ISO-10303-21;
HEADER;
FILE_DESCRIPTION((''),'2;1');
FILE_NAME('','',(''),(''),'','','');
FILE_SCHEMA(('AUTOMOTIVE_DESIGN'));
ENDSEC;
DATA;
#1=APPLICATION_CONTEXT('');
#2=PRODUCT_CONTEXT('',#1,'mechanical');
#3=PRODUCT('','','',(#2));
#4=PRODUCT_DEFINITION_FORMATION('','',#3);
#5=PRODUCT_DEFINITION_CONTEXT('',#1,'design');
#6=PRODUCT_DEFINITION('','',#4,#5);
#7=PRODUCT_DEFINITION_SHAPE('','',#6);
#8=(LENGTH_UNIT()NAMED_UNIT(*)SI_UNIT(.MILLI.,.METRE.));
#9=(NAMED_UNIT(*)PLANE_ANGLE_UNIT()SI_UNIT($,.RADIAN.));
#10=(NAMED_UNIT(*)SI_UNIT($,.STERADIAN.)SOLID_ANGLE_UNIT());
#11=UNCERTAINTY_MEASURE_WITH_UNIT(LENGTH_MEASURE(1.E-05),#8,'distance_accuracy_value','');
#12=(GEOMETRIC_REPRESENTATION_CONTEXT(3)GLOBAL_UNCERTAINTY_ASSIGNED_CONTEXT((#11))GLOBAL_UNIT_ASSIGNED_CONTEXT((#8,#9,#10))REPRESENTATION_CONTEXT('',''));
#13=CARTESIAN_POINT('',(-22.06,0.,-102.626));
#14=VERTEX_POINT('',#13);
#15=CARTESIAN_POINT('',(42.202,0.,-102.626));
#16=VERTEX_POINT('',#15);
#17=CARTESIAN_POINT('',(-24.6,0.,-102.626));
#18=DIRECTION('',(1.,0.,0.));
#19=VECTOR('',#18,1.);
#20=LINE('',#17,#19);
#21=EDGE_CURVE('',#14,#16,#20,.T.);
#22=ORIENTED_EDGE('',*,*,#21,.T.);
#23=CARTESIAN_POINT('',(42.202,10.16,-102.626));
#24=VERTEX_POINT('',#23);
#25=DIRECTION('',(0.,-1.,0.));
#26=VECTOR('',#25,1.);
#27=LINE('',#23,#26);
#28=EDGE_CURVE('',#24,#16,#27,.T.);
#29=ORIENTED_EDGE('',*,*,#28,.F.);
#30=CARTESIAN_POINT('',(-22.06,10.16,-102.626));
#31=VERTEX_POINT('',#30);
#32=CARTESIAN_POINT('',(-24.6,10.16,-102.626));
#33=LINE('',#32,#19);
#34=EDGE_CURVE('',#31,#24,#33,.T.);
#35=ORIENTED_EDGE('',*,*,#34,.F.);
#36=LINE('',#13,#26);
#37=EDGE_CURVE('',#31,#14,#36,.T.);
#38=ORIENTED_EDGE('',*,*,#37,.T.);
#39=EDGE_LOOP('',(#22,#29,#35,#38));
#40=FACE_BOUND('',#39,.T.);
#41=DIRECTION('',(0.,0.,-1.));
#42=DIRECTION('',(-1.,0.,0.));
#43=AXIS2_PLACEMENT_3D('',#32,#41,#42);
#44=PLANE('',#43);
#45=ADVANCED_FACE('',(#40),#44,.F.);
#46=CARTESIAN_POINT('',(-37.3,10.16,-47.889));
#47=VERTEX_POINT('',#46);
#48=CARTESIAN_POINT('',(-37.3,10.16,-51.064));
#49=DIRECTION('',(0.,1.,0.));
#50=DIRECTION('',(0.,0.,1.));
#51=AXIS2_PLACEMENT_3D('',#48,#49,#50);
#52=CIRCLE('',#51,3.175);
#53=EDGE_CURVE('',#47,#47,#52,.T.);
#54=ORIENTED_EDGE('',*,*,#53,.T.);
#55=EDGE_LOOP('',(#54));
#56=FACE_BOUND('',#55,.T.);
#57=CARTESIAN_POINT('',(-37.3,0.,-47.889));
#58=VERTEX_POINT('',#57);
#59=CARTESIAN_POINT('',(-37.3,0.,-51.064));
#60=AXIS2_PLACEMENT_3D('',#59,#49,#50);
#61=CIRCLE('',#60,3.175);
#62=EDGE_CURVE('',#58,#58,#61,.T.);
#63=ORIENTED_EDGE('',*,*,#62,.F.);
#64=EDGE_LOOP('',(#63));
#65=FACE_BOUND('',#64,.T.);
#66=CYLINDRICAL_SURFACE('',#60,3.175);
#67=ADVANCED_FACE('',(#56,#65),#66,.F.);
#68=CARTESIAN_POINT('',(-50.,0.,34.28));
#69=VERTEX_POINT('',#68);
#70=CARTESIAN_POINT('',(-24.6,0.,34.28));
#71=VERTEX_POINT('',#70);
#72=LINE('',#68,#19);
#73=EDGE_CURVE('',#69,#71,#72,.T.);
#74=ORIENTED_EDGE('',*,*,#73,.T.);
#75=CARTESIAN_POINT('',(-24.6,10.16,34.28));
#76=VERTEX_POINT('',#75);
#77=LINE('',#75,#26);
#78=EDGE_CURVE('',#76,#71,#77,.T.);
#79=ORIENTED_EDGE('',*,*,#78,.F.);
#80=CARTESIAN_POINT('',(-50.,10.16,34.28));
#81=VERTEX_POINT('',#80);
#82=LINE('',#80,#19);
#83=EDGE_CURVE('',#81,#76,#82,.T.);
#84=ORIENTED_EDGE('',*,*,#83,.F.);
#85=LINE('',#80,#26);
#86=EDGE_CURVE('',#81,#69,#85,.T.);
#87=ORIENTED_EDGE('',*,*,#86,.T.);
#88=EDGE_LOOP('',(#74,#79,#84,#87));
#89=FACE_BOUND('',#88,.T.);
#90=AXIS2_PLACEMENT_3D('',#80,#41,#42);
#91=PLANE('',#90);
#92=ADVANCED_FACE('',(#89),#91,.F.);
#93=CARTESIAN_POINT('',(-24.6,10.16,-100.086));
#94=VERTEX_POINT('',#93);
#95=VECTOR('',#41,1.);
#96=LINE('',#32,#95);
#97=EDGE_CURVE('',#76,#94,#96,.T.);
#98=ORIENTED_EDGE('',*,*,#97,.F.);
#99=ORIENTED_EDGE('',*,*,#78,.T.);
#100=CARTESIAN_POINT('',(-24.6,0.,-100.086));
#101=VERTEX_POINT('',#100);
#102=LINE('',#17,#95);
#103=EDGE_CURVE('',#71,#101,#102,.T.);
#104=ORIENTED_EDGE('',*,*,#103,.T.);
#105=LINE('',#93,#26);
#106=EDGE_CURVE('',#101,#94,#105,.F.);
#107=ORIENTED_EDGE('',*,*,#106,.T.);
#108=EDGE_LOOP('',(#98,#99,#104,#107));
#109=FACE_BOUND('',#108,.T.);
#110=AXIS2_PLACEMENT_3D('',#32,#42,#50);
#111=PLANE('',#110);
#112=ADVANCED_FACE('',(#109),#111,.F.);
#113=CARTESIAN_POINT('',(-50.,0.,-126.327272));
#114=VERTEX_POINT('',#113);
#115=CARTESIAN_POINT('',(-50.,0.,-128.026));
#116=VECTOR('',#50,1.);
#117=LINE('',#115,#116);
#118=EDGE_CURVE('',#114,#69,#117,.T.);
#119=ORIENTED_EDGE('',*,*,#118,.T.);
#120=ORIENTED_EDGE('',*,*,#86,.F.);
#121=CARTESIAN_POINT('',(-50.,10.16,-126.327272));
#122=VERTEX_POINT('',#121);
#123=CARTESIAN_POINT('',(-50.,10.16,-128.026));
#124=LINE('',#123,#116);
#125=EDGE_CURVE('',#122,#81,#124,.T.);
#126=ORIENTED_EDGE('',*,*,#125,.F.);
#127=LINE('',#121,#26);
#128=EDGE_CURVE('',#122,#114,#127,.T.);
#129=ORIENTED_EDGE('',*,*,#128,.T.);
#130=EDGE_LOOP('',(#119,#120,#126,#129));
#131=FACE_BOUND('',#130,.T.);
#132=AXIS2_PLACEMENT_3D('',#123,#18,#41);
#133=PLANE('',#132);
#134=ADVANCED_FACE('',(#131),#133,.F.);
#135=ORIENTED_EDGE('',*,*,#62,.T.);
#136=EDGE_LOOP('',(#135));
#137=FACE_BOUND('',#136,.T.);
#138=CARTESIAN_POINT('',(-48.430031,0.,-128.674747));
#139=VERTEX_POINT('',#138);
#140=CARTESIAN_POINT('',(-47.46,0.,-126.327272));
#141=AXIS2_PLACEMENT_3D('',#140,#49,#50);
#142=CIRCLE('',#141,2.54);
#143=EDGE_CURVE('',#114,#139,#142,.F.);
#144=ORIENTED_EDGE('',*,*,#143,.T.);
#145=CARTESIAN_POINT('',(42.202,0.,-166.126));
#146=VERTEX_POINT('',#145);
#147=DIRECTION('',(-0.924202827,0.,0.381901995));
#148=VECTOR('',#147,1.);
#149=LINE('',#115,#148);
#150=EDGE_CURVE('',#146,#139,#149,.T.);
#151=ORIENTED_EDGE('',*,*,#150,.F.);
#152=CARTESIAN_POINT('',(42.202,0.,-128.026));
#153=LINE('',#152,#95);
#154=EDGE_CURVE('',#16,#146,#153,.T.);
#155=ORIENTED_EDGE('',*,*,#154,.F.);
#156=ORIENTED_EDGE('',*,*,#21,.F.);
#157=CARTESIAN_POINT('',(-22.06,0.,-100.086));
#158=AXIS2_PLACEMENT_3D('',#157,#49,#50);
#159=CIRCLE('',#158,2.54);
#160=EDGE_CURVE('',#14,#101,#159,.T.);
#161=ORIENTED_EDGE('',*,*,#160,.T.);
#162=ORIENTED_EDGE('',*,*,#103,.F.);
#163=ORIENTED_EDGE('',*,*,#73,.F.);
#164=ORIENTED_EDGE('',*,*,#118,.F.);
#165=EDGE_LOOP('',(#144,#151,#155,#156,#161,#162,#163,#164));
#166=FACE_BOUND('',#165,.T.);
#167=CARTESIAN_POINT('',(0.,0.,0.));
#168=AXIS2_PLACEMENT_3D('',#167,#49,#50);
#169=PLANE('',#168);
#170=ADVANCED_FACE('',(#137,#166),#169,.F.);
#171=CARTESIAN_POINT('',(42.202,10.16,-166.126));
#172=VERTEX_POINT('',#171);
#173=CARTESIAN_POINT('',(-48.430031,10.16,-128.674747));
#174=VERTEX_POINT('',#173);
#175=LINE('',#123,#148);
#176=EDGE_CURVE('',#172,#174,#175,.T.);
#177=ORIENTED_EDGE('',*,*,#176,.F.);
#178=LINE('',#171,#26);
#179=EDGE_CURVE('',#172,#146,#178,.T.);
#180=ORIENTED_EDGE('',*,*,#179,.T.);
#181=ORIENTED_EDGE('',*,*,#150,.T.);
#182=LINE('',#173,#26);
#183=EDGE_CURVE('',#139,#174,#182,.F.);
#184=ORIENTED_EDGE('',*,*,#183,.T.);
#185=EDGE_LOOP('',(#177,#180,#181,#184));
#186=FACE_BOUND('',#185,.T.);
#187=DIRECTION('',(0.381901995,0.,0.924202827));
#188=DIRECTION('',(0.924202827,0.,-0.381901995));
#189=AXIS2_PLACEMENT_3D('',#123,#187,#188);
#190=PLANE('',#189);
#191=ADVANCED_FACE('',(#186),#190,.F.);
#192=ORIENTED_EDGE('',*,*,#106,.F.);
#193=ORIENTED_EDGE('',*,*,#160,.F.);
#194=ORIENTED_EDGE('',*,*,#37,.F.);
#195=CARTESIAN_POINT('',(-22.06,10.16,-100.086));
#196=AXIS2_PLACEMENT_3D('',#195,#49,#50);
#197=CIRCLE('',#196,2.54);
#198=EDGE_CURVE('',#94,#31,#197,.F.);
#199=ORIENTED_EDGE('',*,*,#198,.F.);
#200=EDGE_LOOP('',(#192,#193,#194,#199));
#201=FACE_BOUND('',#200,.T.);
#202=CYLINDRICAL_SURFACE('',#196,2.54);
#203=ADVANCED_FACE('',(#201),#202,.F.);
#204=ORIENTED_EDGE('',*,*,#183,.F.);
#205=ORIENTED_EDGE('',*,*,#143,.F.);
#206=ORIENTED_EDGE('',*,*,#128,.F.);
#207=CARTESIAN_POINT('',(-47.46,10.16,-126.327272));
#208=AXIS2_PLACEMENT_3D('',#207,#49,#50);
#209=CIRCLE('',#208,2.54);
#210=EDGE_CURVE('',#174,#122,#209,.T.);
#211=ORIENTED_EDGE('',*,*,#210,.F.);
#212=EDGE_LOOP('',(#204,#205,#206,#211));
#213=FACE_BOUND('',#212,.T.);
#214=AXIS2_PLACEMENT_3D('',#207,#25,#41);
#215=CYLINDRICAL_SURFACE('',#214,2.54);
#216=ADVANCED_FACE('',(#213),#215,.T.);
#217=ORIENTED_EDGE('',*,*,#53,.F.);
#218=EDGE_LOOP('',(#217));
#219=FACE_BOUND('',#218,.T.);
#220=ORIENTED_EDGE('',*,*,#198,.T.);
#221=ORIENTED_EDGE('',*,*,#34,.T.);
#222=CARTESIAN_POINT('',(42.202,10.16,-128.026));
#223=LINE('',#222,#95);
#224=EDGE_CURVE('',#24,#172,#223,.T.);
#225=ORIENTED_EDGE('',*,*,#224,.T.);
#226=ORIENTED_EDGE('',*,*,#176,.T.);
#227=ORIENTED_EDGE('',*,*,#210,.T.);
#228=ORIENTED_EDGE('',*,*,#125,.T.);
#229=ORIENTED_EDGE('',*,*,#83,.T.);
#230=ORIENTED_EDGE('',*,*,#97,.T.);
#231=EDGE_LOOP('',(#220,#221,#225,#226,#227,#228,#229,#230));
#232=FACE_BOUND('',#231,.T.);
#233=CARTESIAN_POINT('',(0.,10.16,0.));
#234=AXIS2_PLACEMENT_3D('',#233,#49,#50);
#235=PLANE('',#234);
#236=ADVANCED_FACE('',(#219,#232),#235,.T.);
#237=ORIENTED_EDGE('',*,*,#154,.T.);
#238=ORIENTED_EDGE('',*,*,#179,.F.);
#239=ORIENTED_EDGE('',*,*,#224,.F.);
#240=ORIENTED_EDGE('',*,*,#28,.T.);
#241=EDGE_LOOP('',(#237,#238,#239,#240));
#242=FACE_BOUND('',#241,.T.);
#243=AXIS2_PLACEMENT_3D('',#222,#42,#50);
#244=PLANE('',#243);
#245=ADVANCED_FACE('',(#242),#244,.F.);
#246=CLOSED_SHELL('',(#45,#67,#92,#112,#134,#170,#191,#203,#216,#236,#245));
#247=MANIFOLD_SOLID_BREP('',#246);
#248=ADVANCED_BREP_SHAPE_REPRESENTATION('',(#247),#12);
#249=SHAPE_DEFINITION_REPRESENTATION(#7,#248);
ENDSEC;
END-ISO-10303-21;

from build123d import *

# Parameters (mm, degrees)
BOSS_EXTRUDE1_DEPTH = 10.16
SKETCH2_R           = 3.175
CUT_EXTRUDE1_DEPTH  = 10.16
FILLET1_R           = 2.54


with BuildPart() as part:
    # Sketch1 → Boss-Extrude1 (new body)
    with BuildSketch(Plane(origin=(0, 0, 0), x_dir=(1, 0, 0), z_dir=(0, 1, 0))):
        Polygon((-50, 128.026), (42.202, 166.126), (42.202, 128.026), (42.202, 102.626), (-24.6, 102.626), (-24.6, -34.28), (-50, -34.28), align=None)
    extrude(amount=BOSS_EXTRUDE1_DEPTH)

    # Sketch2 → Cut-Extrude1 (cut)
    with BuildSketch(Plane(origin=(0, 10.16, 0), x_dir=(1, 0, 0), z_dir=(0, 1, 0))):
        with Locations(Location((-37.3, 51.064, 0), (0, 0, 270))):
            Circle(SKETCH2_R)
    extrude(amount=-CUT_EXTRUDE1_DEPTH, mode=Mode.SUBTRACT)

    # Fillet1
    fillet1_edges = [part.edges().sort_by_distance(p)[0] for p in [
        (-50, 5.08, -128.026),
        (-24.6, 5.08, -102.626),
    ]]
    fillet(fillet1_edges, radius=FILLET1_R)


solid = part.part
